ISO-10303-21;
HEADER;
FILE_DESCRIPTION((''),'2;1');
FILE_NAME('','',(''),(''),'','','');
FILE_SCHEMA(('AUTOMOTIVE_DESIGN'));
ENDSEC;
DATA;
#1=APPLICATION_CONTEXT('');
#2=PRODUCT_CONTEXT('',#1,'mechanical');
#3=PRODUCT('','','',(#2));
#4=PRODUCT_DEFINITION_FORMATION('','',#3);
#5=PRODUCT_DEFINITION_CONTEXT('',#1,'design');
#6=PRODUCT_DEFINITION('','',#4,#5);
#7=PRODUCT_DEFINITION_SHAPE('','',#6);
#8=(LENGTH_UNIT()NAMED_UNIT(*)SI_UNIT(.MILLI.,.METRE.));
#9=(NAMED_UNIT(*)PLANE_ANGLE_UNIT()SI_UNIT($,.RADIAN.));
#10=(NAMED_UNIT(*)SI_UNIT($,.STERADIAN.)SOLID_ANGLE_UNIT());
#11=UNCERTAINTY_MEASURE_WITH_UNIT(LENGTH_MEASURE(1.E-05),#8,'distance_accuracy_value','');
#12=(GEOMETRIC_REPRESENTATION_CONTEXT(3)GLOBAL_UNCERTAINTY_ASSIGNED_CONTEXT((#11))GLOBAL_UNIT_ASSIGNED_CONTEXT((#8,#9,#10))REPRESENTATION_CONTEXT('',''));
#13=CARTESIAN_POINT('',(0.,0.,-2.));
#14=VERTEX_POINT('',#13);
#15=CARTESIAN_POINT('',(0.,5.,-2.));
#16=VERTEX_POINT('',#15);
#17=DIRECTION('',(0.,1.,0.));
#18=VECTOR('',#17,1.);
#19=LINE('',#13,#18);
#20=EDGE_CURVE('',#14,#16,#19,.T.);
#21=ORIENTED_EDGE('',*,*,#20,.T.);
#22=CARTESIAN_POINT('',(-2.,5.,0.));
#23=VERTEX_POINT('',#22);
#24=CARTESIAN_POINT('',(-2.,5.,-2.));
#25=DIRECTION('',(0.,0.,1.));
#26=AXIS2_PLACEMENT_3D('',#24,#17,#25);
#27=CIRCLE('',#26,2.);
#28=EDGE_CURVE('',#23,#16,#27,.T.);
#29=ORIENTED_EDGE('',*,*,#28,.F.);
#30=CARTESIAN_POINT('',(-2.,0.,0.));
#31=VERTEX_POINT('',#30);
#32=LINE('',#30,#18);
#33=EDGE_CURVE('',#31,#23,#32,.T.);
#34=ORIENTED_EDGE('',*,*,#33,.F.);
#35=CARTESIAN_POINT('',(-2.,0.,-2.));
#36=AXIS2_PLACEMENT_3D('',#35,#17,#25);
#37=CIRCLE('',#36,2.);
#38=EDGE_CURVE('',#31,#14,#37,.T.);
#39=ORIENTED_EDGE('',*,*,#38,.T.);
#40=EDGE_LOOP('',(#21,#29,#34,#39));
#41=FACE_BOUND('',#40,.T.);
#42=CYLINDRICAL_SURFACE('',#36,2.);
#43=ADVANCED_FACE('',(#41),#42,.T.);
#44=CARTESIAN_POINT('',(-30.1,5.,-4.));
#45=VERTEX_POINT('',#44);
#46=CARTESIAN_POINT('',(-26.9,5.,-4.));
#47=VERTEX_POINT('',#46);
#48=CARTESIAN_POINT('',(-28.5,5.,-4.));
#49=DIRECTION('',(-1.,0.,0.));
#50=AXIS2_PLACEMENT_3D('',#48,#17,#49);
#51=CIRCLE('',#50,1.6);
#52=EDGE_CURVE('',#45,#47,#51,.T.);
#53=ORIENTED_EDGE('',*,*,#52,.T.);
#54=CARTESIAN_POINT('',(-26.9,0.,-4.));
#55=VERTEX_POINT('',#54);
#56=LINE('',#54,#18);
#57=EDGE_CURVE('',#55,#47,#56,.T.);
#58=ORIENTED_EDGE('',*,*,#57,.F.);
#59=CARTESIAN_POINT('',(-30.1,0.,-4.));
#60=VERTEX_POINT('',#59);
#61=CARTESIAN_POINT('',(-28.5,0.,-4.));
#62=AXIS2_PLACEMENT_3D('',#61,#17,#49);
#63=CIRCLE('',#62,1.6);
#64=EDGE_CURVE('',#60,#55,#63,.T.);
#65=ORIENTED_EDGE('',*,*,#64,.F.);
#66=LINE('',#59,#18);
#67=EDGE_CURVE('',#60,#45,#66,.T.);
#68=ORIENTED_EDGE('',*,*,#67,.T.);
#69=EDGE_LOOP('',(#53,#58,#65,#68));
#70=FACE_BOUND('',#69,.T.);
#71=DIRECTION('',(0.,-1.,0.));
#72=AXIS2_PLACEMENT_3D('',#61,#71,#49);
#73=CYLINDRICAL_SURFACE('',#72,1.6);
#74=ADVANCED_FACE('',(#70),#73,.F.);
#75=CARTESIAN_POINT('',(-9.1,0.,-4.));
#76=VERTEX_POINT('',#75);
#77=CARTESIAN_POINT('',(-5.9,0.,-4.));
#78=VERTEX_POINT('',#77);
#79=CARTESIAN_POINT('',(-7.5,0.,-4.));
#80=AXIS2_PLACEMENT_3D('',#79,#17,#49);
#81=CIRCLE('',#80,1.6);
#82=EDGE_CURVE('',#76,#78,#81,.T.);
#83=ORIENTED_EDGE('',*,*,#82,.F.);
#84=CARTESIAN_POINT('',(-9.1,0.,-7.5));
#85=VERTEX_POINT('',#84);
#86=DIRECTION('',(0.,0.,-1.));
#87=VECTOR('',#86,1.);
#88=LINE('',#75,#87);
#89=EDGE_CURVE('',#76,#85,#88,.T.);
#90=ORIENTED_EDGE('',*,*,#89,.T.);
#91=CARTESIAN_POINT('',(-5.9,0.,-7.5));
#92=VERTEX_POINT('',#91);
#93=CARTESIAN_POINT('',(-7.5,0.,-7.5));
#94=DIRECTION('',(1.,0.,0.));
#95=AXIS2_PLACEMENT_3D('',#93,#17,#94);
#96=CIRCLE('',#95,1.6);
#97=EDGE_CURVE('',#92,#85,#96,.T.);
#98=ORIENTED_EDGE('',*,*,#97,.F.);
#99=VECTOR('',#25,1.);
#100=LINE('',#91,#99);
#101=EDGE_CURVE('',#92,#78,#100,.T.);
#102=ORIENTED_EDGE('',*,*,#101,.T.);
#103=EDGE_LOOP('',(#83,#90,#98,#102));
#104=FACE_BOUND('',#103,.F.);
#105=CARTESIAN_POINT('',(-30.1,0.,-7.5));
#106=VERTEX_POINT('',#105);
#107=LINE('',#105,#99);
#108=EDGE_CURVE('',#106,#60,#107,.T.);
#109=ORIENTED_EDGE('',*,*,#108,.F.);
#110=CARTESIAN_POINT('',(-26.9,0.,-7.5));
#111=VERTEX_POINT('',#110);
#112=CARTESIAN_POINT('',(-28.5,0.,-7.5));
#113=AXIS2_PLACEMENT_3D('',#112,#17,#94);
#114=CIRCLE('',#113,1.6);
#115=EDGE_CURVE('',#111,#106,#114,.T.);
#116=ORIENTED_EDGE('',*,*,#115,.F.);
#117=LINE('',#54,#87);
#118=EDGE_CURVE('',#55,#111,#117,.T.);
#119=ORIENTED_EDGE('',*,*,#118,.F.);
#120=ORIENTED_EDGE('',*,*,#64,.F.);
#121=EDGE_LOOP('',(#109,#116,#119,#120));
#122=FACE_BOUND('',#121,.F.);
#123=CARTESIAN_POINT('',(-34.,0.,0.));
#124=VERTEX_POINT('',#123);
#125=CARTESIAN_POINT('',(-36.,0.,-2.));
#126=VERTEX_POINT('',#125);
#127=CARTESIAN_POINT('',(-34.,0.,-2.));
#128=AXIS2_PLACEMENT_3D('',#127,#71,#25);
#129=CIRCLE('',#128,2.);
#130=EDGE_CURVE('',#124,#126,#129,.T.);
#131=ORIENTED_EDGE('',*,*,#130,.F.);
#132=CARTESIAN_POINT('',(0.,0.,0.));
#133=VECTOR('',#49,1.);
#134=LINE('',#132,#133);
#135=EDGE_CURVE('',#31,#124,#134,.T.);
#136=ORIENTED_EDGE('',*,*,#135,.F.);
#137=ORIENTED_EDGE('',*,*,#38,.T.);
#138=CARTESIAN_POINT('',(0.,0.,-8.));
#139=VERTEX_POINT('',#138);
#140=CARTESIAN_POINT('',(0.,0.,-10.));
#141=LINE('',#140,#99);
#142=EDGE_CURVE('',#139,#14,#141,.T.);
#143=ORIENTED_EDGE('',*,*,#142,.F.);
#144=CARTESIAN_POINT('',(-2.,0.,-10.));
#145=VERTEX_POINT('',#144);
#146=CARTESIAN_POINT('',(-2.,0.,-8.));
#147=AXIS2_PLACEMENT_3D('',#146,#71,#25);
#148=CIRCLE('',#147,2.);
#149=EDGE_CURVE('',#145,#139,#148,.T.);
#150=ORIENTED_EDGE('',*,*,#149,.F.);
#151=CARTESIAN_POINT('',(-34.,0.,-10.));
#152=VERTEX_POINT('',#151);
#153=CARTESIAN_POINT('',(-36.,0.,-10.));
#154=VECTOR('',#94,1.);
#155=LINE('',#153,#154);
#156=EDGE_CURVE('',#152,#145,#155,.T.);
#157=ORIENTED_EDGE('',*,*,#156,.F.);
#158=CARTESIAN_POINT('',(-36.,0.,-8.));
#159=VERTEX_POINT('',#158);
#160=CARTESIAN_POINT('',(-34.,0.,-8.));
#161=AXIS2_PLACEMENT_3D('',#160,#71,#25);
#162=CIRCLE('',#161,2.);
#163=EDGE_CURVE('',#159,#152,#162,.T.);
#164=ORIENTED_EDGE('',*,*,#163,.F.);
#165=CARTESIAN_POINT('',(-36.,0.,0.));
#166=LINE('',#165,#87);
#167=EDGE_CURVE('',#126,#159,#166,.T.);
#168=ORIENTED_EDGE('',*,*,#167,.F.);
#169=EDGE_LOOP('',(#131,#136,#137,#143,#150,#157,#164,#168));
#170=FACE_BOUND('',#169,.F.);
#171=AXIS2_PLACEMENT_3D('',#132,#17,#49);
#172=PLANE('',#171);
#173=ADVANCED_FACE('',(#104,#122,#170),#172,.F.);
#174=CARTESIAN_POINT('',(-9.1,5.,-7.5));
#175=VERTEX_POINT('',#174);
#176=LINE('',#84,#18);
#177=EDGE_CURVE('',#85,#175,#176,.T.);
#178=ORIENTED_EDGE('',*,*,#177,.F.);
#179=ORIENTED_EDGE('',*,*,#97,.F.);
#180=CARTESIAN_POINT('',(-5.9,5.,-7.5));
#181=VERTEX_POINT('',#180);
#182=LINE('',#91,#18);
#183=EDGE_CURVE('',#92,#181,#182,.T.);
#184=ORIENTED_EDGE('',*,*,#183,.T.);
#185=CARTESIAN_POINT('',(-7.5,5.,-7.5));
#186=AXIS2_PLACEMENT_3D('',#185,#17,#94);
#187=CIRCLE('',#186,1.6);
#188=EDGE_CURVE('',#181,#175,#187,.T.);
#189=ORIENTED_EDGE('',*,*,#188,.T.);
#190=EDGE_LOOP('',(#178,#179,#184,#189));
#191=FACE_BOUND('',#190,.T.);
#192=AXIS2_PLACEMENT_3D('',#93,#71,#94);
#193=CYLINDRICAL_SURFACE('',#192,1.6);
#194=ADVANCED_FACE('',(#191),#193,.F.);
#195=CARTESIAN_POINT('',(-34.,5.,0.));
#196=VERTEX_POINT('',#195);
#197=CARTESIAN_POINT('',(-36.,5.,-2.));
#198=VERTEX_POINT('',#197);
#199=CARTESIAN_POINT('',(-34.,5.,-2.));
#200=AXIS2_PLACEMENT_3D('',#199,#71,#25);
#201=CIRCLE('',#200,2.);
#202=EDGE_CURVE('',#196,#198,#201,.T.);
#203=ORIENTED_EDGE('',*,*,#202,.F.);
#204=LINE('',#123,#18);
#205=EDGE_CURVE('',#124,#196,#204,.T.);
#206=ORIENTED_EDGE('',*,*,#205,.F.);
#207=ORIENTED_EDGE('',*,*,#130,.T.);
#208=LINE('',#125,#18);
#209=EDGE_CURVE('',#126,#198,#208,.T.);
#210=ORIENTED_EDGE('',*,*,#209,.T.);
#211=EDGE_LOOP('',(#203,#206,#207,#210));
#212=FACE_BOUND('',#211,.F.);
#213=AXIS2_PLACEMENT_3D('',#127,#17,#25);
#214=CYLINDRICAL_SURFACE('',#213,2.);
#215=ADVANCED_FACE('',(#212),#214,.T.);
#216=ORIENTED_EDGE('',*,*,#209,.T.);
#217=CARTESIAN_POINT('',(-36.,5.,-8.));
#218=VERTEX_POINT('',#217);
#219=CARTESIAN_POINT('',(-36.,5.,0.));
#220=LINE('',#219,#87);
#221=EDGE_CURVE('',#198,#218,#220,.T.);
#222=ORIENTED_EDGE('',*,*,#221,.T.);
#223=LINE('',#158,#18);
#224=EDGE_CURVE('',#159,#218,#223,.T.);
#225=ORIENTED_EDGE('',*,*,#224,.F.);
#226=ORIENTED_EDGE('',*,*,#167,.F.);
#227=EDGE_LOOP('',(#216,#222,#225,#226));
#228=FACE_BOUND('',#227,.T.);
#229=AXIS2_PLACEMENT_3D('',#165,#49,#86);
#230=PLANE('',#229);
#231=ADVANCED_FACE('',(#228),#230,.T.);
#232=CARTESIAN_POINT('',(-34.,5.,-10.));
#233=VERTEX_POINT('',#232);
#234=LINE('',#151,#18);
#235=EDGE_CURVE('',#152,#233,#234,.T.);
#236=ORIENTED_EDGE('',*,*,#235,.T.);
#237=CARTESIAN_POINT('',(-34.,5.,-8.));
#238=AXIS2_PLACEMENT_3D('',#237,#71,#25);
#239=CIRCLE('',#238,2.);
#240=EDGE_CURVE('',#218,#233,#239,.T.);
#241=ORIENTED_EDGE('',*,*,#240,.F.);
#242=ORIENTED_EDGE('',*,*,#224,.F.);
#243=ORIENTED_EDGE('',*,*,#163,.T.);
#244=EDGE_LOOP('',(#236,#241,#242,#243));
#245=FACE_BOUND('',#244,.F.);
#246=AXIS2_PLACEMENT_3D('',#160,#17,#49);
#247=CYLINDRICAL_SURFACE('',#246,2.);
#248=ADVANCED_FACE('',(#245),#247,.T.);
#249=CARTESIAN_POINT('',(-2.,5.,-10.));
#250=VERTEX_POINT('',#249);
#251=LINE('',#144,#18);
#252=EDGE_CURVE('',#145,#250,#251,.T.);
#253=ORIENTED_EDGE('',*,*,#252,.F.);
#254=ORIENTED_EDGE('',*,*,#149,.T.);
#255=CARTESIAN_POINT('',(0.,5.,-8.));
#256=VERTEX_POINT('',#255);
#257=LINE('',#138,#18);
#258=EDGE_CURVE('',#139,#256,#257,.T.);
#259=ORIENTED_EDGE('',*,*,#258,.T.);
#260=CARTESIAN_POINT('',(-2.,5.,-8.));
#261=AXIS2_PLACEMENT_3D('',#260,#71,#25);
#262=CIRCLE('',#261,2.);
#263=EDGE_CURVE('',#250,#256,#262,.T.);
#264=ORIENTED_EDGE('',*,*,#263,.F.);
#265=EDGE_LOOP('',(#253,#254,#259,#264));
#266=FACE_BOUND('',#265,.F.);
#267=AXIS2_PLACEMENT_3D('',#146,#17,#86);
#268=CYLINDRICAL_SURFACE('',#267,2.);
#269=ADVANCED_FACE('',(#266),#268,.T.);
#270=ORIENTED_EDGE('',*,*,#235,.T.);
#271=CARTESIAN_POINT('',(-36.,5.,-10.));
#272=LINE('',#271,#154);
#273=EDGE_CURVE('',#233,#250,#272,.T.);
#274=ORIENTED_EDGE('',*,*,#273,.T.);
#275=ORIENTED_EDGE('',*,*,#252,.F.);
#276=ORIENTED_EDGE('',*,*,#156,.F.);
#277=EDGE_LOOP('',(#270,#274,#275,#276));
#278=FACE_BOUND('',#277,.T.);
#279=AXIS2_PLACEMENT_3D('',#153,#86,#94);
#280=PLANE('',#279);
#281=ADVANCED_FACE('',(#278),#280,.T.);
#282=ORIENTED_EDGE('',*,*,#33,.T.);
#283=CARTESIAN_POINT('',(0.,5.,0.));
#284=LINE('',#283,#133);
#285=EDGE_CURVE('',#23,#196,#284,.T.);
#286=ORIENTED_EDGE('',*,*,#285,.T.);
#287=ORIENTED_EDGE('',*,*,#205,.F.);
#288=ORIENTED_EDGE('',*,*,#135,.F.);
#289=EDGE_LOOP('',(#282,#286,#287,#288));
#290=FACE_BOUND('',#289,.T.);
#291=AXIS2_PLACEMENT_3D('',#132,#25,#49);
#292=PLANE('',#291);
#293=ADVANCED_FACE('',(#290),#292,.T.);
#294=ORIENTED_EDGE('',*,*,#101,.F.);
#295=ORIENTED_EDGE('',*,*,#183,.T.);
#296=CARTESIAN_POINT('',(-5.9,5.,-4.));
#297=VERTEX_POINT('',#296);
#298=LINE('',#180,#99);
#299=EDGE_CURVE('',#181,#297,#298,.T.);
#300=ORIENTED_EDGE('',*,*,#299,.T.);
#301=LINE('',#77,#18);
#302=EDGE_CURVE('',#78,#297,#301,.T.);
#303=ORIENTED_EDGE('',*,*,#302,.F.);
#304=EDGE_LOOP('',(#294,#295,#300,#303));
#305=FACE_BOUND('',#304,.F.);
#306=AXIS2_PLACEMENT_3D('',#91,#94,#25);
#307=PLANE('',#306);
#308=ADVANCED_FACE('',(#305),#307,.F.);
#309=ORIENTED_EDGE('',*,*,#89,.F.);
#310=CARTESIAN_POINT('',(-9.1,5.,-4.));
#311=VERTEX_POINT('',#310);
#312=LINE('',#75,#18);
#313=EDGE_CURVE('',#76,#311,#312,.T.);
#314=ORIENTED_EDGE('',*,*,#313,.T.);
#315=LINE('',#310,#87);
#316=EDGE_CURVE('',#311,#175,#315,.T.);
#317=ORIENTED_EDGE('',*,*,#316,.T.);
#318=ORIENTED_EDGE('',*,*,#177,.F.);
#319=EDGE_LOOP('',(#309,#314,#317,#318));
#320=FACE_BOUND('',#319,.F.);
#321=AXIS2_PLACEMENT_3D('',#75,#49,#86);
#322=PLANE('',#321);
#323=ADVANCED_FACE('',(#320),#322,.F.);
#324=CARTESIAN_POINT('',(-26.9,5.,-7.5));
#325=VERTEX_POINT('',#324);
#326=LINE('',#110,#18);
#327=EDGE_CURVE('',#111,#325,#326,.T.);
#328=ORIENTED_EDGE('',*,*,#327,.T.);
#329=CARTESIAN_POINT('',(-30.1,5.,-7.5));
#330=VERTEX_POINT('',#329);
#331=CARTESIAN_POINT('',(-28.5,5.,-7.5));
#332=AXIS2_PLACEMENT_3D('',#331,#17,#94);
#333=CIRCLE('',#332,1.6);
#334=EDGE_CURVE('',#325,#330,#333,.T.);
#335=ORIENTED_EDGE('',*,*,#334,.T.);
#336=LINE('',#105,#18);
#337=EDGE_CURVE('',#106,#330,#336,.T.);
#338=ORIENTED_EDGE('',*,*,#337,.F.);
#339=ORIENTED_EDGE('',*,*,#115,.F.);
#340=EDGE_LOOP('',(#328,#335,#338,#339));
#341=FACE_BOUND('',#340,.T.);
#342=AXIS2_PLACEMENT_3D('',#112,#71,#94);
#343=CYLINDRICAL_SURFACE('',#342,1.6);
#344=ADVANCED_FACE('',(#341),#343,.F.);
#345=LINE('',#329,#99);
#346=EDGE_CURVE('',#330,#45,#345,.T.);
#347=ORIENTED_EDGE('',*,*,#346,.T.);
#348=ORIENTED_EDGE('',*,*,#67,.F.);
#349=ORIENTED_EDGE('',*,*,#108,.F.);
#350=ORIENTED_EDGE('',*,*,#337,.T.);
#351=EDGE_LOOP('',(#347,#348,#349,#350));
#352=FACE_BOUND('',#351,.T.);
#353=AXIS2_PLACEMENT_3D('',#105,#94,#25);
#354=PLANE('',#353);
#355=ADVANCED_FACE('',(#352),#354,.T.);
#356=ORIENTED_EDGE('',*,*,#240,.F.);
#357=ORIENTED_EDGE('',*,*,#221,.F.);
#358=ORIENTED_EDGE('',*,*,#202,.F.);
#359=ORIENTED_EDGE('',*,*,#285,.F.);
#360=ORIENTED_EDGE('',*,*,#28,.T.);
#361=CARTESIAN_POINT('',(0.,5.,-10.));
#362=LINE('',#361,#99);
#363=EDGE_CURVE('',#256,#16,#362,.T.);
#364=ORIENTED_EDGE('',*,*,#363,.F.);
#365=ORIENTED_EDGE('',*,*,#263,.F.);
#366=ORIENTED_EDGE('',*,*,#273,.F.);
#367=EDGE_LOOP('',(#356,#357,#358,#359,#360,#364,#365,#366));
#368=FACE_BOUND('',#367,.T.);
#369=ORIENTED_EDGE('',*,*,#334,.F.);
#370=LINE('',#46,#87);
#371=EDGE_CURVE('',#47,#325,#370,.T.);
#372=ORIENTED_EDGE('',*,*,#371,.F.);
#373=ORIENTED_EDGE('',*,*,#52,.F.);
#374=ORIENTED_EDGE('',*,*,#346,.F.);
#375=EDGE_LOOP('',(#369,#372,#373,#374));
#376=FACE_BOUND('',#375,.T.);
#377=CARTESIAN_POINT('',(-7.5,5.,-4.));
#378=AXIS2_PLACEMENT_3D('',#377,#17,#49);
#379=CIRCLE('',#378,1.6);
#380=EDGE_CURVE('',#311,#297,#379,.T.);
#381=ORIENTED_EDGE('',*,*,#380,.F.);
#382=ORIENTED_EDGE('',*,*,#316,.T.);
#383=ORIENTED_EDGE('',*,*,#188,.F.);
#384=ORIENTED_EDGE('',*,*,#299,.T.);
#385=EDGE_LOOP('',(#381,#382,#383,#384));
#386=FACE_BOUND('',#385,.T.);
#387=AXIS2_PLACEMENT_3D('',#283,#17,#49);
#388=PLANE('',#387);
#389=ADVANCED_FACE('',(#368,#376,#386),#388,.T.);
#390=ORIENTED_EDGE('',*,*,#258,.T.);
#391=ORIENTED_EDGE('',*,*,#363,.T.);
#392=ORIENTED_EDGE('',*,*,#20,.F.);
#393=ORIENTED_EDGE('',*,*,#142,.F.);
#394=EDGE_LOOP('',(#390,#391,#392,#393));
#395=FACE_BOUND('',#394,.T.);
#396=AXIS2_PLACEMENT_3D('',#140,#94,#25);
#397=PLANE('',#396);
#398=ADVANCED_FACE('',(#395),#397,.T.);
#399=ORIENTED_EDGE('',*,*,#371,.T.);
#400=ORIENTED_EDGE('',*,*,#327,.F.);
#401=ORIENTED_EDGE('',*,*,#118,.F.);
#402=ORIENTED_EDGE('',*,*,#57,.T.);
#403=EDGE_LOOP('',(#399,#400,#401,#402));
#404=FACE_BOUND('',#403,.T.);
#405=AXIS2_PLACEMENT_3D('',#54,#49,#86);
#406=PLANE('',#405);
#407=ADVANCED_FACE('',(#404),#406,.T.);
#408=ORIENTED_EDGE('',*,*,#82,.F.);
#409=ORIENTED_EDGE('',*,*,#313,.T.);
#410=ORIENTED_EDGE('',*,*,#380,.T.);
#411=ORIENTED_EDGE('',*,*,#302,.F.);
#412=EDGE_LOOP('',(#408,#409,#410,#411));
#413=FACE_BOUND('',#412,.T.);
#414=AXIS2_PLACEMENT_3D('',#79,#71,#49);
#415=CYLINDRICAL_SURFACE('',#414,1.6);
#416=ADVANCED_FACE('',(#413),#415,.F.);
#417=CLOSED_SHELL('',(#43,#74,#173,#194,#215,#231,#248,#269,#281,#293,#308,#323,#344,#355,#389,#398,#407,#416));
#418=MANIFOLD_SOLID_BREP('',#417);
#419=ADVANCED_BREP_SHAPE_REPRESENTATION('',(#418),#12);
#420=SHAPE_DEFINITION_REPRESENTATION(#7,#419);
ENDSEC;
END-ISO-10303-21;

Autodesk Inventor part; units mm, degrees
ref_plane "YZ Plane" through (0, 0, 0) normal (1, 0, 0) x (0, 1, 0)
ref_plane "XZ Plane" through (0, 0, 0) normal (0, 1, 0) x (-1, 0, 0)
ref_plane "XY Plane" through (0, 0, 0) normal (0, 0, 1) x (1, 0, 0)
sketch "Sketch1" plane through (0, 0, 0) normal (0, 1, 0) x (-1, 0, 0)
  line L0 (0, 0) -> (36, 0)
  line L1 (36, 0) -> (36, -10)
  line L2 (36, -10) -> (0, -10)
  line L3 (0, -10) -> (0, 0)
  line L4 (18, 26.1157) -> (18, -38.8106) construction
  line L5 (28.5, 12.3286) -> (28.5, -24.6324) construction
  line L6 (7.5, 13.3064) -> (7.5, -23.3613) construction
  line L7 (28.5, -7.5) -> (28.5, -4) construction
  line L8 (30.1, -7.5) -> (30.1, -4)
  line L9 (26.9, -4) -> (26.9, -7.5)
  arc A0 (26.9, -7.5) -> (30.1, -7.5) centre (28.5, -7.5) ccw
  arc A1 (30.1, -4) -> (26.9, -4) centre (28.5, -4) ccw
  line L10 (7.5, -7.5) -> (7.5, -4) construction
  line L11 (5.9, -7.5) -> (5.9, -4)
  line L12 (9.1, -4) -> (9.1, -7.5)
  arc A2 (5.9, -7.5) -> (9.1, -7.5) centre (7.5, -7.5) ccw
  arc A3 (9.1, -4) -> (5.9, -4) centre (7.5, -4) ccw
  point P0 (18, 0)
  point P1 (28.5, -5.75)
  point P2 (7.5, -5.75)
  dimension "d0" = 36
  dimension "d1" = 10
  dimension "d2" = 21
  dimension "d3" = 3.5
  dimension "d4" = 3.2
  dimension "d5" = 2.5
extrude "Extrusion1" add sketch "Sketch1" along normal blind 5
fillet "Fillet1" radius 2 4 edges at (0, 2.5, 0) (0, 2.5, -10) (-36, 2.5, -10) (-36, 2.5, 0)
properties part number "LipoBat Spacer"
